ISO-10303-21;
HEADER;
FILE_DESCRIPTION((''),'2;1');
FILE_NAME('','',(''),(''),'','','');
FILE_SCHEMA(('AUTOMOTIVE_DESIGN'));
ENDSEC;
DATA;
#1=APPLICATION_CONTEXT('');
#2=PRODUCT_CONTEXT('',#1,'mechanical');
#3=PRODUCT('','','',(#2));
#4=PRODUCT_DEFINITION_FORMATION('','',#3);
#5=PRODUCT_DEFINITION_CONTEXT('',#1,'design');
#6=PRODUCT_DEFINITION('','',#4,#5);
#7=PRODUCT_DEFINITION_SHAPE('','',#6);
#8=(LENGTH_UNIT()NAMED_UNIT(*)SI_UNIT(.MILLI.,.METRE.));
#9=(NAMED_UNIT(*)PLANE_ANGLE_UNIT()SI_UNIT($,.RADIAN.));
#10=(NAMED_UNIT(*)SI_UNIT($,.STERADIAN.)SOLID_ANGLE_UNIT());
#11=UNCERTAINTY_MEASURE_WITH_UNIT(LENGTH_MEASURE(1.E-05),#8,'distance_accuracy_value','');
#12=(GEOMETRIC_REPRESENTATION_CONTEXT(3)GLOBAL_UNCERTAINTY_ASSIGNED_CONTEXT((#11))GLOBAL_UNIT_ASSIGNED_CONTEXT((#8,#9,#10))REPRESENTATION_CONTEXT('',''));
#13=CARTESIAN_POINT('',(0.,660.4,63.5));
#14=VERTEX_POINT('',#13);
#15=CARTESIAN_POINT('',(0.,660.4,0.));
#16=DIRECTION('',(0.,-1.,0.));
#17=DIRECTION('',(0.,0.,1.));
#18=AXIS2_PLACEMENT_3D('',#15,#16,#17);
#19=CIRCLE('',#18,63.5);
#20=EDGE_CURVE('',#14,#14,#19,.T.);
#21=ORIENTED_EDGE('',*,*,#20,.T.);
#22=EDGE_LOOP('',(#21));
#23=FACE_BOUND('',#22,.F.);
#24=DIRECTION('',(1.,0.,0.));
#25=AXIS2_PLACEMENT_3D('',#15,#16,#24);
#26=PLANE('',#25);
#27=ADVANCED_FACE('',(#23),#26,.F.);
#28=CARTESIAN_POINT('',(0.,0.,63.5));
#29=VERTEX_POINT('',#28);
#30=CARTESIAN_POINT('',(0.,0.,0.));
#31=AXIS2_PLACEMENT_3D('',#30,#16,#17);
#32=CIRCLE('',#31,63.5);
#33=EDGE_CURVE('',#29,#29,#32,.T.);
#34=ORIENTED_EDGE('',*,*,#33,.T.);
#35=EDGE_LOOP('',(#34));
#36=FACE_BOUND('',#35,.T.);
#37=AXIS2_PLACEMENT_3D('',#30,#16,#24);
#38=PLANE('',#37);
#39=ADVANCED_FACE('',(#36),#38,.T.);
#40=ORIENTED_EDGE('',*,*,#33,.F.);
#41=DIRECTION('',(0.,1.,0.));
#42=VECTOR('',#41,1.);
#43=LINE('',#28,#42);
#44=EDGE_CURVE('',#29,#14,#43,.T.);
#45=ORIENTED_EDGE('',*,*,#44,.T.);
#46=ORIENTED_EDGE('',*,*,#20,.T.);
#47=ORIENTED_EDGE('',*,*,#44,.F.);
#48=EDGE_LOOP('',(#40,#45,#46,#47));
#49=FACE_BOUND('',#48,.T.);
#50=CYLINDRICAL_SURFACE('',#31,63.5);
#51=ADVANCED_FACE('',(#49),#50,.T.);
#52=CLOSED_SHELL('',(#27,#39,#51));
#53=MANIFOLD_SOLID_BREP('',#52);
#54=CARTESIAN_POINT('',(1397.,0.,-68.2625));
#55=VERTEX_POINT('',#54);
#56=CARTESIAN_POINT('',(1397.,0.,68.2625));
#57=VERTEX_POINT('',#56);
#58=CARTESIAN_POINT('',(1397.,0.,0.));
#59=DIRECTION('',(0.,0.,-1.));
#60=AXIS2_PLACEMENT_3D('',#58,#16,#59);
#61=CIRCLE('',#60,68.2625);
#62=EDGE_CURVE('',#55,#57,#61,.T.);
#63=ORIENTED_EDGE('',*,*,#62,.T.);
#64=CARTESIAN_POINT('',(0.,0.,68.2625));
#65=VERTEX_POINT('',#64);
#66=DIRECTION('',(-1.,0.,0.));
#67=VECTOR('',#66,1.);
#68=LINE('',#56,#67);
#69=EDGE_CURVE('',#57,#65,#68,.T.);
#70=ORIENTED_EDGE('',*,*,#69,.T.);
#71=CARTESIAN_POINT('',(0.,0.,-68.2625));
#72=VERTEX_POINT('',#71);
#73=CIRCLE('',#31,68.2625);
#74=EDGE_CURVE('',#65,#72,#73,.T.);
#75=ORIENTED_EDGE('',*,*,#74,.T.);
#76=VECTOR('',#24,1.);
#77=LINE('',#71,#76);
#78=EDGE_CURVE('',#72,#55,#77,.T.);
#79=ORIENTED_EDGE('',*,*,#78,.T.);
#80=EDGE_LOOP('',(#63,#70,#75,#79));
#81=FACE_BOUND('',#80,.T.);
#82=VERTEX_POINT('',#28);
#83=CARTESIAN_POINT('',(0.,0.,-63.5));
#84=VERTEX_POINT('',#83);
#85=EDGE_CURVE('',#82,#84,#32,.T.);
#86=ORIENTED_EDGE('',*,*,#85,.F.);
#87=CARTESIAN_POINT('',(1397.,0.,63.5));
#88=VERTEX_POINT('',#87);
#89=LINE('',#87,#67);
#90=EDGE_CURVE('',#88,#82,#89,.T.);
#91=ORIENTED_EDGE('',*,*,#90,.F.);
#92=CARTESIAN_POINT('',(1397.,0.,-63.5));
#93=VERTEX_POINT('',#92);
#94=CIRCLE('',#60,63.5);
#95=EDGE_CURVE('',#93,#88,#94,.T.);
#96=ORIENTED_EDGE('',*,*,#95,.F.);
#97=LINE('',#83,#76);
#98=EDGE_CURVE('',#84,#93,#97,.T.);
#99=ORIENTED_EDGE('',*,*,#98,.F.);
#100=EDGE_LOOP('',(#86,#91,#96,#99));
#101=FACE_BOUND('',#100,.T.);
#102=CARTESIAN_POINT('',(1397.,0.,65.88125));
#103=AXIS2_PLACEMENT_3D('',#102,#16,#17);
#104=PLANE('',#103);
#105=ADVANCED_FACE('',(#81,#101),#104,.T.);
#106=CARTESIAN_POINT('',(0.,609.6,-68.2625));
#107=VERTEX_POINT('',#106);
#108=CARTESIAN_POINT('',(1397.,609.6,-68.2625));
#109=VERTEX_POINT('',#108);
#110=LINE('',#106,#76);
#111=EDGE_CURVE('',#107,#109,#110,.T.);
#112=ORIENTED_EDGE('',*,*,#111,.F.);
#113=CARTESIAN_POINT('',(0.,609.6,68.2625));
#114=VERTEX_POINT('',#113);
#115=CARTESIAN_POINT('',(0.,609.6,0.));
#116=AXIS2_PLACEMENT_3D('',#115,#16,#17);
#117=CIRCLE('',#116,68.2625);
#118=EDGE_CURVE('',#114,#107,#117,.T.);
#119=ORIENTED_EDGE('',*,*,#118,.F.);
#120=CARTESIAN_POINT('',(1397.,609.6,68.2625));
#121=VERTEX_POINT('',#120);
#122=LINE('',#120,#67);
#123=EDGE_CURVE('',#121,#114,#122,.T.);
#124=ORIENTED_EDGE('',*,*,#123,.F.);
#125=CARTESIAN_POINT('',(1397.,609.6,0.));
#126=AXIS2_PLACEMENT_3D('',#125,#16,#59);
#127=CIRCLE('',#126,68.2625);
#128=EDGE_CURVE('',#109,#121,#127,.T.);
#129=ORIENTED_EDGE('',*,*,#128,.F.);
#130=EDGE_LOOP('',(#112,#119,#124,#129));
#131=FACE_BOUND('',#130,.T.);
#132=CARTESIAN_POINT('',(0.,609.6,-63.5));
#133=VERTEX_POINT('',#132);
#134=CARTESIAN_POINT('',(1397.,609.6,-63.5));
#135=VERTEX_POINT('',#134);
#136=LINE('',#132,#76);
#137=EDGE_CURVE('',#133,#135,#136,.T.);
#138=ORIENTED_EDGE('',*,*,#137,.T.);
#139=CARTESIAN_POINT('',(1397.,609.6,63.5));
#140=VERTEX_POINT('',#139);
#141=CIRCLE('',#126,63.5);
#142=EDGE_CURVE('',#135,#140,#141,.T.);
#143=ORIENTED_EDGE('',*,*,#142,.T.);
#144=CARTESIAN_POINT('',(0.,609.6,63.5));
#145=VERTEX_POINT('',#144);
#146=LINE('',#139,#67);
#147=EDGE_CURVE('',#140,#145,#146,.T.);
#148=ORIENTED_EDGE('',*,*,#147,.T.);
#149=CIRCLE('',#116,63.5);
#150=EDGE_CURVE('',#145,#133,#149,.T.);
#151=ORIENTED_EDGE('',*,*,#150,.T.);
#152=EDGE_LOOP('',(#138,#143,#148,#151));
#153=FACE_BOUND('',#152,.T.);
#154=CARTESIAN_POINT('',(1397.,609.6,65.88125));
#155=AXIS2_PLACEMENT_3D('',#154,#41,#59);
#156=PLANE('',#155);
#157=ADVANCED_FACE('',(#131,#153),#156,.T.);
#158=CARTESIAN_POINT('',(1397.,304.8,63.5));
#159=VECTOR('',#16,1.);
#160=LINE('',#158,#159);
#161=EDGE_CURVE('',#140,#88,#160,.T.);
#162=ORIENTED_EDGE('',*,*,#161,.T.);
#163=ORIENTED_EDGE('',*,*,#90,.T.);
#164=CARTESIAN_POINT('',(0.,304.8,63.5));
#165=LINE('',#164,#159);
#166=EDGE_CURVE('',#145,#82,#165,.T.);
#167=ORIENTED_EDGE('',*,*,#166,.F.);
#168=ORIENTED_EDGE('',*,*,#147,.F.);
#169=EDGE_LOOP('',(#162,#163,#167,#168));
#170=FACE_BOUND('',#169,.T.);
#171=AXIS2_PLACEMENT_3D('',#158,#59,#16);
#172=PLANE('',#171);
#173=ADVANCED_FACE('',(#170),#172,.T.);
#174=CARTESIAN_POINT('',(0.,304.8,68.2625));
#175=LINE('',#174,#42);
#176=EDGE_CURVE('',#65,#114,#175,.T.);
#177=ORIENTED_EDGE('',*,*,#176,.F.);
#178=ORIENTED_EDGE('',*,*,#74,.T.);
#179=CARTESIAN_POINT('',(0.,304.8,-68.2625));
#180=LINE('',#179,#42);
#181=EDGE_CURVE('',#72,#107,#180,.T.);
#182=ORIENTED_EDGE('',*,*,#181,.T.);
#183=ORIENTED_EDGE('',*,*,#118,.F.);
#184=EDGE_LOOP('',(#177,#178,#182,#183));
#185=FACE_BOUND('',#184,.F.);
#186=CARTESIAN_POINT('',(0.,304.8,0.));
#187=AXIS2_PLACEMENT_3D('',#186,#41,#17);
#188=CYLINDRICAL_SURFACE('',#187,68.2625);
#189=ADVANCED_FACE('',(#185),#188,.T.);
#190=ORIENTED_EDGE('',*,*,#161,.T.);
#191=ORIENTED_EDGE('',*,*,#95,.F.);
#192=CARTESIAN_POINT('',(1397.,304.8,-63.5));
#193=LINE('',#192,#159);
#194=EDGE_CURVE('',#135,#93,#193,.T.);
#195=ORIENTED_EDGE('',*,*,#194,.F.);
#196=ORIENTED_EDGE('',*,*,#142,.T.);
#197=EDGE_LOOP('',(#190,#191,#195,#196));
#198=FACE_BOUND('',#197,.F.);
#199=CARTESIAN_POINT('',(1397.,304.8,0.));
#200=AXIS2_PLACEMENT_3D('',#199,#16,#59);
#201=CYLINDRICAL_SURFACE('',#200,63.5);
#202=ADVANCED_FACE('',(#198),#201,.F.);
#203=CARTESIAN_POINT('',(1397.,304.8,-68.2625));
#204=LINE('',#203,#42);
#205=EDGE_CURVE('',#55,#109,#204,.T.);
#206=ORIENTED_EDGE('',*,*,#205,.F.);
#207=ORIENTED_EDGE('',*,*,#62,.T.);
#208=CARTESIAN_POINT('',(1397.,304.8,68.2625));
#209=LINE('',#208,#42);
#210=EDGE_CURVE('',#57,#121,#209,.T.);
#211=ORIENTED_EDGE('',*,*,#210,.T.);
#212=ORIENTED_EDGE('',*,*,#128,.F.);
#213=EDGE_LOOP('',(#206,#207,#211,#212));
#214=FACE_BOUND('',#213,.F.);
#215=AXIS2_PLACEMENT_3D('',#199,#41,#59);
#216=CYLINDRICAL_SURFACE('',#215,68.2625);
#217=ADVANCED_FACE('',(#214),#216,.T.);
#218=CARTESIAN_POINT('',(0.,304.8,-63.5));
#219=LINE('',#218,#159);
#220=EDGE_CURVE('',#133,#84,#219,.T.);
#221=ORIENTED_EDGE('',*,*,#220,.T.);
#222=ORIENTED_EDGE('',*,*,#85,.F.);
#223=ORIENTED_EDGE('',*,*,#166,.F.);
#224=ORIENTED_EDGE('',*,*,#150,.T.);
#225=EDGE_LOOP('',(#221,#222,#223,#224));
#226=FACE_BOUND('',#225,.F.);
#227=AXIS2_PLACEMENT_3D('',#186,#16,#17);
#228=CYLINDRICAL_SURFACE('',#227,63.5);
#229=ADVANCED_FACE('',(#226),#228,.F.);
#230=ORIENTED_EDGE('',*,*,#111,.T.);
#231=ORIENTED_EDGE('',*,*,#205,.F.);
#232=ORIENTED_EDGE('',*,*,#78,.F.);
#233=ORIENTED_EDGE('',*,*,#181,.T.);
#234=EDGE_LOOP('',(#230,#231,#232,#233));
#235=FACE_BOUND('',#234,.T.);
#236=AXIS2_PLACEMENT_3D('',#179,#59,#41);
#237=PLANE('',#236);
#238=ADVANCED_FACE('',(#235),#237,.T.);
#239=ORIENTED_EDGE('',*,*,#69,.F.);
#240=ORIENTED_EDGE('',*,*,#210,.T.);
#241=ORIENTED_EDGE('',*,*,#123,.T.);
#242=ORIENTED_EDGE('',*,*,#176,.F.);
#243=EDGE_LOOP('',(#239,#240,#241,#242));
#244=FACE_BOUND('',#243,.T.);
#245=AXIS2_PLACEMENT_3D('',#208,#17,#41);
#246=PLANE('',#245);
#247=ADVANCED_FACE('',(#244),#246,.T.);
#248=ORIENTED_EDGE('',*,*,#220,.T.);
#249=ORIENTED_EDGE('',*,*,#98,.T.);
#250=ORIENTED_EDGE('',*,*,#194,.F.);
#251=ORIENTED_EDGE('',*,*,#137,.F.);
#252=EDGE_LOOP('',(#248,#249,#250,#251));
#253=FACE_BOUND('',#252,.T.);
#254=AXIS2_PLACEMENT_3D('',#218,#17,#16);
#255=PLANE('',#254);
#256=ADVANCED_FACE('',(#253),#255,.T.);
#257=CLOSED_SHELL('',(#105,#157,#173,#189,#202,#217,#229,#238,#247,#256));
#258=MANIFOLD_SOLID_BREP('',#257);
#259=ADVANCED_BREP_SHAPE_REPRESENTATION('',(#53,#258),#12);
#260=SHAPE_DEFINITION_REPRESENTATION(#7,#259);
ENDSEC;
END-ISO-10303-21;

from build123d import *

# Parameters (mm, degrees)
F2_W     = 609.6
F2_H     = 4.7625
F4_DEPTH = 660.4


with BuildPart() as f3:
    # F3: sweep along a path in F0
    with BuildLine(Plane.XZ) as f3_path:
        Line((1397, 63.5), (0, 63.5))
        ThreePointArc((0, 63.5), (-63.5, 0), (0, -63.5))
        Line((0, -63.5), (1397, -63.5))
        ThreePointArc((1397, -63.5), (1460.5, 0), (1397, 63.5))
    # F2 (on face) → F3 (sweep)
    with BuildSketch(Plane(origin=(1397, 0, 0), x_dir=(0, -1, 0), z_dir=(-1, 0, 0))):
        with Locations((-304.8, 65.88125)):
            Rectangle(F2_W, F2_H)
    sweep(path=f3_path.line)


with BuildPart() as f4:
    # F0 (on Front) → F4 (new body)
    with BuildSketch(Plane.XZ):
        with BuildLine():
            ThreePointArc((0, -63.5), (63.5, 0), (0, 63.5))
            ThreePointArc((0, 63.5), (-63.5, 0), (0, -63.5))
        make_face()
    extrude(amount=-F4_DEPTH)


solid = Compound([f3.part, f4.part])
